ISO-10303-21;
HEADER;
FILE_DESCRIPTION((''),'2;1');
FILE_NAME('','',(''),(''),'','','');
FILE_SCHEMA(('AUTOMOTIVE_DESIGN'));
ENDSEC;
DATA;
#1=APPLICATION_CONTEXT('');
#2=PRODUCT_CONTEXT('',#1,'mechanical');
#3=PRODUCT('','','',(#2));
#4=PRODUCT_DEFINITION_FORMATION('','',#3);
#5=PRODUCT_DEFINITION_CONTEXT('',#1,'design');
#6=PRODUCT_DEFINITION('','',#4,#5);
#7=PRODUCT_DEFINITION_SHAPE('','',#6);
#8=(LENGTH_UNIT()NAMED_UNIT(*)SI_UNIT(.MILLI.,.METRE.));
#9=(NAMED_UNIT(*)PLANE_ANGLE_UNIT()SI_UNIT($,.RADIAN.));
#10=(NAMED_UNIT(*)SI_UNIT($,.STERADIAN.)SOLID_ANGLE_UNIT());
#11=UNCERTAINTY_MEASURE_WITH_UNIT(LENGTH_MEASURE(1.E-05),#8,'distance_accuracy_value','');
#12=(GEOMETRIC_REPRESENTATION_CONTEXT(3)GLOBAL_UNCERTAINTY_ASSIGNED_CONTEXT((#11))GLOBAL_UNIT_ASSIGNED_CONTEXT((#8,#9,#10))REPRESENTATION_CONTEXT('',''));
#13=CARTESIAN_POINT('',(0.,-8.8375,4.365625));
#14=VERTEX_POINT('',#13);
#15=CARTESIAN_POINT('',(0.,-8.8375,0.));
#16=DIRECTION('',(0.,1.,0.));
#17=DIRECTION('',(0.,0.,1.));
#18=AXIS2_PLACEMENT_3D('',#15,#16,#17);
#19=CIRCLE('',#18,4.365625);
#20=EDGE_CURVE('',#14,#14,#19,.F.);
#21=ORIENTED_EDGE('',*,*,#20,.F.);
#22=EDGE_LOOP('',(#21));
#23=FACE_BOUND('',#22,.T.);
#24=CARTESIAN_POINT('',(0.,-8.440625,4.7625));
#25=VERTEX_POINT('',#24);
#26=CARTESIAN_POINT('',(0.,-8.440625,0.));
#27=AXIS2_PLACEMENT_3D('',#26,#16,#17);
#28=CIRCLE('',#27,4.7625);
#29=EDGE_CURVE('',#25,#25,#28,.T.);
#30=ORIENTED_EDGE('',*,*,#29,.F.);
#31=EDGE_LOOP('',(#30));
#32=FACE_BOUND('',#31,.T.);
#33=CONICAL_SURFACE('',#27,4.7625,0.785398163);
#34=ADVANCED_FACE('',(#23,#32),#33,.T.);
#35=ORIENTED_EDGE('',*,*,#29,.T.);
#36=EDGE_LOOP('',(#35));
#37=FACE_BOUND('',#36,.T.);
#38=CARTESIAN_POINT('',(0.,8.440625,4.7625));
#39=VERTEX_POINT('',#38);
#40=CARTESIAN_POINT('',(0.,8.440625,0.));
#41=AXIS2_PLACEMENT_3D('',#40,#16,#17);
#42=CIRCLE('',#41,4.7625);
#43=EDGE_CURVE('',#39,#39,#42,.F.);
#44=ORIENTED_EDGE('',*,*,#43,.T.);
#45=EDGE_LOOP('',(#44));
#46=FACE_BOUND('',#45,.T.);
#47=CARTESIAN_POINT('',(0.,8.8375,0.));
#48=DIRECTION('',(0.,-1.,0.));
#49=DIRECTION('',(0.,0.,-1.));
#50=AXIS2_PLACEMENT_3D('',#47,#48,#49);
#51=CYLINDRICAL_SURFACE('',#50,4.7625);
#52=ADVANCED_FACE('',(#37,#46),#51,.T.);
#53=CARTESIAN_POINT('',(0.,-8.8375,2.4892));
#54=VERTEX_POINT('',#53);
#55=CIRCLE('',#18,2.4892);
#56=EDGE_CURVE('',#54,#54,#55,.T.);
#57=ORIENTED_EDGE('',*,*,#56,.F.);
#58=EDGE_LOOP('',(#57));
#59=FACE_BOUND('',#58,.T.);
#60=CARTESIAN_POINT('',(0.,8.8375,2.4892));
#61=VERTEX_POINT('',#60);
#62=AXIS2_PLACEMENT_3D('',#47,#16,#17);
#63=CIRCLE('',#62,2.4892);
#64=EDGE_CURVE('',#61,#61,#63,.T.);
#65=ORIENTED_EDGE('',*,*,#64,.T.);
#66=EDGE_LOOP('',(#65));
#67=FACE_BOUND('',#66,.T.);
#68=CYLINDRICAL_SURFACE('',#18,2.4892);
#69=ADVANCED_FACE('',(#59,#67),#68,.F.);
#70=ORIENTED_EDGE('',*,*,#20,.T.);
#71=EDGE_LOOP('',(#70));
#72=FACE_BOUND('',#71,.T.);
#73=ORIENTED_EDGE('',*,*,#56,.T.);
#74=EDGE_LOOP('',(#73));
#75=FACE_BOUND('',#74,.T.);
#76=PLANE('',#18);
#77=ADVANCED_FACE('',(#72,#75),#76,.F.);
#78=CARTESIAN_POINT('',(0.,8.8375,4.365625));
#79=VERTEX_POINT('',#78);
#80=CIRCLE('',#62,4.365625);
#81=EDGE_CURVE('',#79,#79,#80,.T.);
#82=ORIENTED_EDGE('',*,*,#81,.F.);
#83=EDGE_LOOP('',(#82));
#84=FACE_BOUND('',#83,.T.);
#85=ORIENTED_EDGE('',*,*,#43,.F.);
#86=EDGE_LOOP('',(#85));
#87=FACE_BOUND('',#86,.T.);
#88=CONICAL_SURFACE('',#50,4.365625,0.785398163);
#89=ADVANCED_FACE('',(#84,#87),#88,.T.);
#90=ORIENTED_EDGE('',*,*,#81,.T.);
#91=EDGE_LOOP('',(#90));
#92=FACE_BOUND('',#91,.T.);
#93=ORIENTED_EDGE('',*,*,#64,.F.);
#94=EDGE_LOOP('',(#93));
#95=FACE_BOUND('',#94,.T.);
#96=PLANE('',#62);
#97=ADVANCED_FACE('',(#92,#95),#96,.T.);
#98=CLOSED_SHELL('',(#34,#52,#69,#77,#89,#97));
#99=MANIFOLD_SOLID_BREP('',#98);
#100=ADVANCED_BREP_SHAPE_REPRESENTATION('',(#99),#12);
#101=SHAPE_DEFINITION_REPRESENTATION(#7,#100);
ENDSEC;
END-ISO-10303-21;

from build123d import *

# Parameters (mm, degrees)
CROQUIS2_R                = 4.7625
SALIENTE_EXTRUIR1_DEPTH   = 8.837499978
CHAFL_N1_SIZE             = 0.396875
CLEARANCE_HOLE_DEPTH      = 12.111445377
CLEARANCE_HOLE_DEPTH_BACK = 12.111445377
CROQUIS4_R                = 2.4892


with BuildPart() as part:
    # Croquis2 → Saliente-Extruir1 (new, symmetric)
    with BuildSketch(Plane(origin=(0, 0, 0), x_dir=(1, 0, 0), z_dir=(0, 1, 0))):
        Circle(CROQUIS2_R)
    extrude(amount=SALIENTE_EXTRUIR1_DEPTH, both=True)

    # Chaflán1
    chafl_n1_edges = [part.edges().sort_by_distance(p)[0] for p in [
        (-4.7625, -8.837499978, 0),
        (-4.7625, 8.837499978, 0),
    ]]
    chamfer(chafl_n1_edges, length=CHAFL_N1_SIZE)

    # Croquis4 → Clearance Hole (cut, two sides: drawn at the far end of the back side and taken through both)
    with BuildSketch(Plane(origin=(0, 0, 0), x_dir=(1, 0, 0), z_dir=(0, 1, 0)).offset(-CLEARANCE_HOLE_DEPTH_BACK)):
        Circle(CROQUIS4_R)
    extrude(amount=CLEARANCE_HOLE_DEPTH + CLEARANCE_HOLE_DEPTH_BACK, mode=Mode.SUBTRACT)


solid = part.part
